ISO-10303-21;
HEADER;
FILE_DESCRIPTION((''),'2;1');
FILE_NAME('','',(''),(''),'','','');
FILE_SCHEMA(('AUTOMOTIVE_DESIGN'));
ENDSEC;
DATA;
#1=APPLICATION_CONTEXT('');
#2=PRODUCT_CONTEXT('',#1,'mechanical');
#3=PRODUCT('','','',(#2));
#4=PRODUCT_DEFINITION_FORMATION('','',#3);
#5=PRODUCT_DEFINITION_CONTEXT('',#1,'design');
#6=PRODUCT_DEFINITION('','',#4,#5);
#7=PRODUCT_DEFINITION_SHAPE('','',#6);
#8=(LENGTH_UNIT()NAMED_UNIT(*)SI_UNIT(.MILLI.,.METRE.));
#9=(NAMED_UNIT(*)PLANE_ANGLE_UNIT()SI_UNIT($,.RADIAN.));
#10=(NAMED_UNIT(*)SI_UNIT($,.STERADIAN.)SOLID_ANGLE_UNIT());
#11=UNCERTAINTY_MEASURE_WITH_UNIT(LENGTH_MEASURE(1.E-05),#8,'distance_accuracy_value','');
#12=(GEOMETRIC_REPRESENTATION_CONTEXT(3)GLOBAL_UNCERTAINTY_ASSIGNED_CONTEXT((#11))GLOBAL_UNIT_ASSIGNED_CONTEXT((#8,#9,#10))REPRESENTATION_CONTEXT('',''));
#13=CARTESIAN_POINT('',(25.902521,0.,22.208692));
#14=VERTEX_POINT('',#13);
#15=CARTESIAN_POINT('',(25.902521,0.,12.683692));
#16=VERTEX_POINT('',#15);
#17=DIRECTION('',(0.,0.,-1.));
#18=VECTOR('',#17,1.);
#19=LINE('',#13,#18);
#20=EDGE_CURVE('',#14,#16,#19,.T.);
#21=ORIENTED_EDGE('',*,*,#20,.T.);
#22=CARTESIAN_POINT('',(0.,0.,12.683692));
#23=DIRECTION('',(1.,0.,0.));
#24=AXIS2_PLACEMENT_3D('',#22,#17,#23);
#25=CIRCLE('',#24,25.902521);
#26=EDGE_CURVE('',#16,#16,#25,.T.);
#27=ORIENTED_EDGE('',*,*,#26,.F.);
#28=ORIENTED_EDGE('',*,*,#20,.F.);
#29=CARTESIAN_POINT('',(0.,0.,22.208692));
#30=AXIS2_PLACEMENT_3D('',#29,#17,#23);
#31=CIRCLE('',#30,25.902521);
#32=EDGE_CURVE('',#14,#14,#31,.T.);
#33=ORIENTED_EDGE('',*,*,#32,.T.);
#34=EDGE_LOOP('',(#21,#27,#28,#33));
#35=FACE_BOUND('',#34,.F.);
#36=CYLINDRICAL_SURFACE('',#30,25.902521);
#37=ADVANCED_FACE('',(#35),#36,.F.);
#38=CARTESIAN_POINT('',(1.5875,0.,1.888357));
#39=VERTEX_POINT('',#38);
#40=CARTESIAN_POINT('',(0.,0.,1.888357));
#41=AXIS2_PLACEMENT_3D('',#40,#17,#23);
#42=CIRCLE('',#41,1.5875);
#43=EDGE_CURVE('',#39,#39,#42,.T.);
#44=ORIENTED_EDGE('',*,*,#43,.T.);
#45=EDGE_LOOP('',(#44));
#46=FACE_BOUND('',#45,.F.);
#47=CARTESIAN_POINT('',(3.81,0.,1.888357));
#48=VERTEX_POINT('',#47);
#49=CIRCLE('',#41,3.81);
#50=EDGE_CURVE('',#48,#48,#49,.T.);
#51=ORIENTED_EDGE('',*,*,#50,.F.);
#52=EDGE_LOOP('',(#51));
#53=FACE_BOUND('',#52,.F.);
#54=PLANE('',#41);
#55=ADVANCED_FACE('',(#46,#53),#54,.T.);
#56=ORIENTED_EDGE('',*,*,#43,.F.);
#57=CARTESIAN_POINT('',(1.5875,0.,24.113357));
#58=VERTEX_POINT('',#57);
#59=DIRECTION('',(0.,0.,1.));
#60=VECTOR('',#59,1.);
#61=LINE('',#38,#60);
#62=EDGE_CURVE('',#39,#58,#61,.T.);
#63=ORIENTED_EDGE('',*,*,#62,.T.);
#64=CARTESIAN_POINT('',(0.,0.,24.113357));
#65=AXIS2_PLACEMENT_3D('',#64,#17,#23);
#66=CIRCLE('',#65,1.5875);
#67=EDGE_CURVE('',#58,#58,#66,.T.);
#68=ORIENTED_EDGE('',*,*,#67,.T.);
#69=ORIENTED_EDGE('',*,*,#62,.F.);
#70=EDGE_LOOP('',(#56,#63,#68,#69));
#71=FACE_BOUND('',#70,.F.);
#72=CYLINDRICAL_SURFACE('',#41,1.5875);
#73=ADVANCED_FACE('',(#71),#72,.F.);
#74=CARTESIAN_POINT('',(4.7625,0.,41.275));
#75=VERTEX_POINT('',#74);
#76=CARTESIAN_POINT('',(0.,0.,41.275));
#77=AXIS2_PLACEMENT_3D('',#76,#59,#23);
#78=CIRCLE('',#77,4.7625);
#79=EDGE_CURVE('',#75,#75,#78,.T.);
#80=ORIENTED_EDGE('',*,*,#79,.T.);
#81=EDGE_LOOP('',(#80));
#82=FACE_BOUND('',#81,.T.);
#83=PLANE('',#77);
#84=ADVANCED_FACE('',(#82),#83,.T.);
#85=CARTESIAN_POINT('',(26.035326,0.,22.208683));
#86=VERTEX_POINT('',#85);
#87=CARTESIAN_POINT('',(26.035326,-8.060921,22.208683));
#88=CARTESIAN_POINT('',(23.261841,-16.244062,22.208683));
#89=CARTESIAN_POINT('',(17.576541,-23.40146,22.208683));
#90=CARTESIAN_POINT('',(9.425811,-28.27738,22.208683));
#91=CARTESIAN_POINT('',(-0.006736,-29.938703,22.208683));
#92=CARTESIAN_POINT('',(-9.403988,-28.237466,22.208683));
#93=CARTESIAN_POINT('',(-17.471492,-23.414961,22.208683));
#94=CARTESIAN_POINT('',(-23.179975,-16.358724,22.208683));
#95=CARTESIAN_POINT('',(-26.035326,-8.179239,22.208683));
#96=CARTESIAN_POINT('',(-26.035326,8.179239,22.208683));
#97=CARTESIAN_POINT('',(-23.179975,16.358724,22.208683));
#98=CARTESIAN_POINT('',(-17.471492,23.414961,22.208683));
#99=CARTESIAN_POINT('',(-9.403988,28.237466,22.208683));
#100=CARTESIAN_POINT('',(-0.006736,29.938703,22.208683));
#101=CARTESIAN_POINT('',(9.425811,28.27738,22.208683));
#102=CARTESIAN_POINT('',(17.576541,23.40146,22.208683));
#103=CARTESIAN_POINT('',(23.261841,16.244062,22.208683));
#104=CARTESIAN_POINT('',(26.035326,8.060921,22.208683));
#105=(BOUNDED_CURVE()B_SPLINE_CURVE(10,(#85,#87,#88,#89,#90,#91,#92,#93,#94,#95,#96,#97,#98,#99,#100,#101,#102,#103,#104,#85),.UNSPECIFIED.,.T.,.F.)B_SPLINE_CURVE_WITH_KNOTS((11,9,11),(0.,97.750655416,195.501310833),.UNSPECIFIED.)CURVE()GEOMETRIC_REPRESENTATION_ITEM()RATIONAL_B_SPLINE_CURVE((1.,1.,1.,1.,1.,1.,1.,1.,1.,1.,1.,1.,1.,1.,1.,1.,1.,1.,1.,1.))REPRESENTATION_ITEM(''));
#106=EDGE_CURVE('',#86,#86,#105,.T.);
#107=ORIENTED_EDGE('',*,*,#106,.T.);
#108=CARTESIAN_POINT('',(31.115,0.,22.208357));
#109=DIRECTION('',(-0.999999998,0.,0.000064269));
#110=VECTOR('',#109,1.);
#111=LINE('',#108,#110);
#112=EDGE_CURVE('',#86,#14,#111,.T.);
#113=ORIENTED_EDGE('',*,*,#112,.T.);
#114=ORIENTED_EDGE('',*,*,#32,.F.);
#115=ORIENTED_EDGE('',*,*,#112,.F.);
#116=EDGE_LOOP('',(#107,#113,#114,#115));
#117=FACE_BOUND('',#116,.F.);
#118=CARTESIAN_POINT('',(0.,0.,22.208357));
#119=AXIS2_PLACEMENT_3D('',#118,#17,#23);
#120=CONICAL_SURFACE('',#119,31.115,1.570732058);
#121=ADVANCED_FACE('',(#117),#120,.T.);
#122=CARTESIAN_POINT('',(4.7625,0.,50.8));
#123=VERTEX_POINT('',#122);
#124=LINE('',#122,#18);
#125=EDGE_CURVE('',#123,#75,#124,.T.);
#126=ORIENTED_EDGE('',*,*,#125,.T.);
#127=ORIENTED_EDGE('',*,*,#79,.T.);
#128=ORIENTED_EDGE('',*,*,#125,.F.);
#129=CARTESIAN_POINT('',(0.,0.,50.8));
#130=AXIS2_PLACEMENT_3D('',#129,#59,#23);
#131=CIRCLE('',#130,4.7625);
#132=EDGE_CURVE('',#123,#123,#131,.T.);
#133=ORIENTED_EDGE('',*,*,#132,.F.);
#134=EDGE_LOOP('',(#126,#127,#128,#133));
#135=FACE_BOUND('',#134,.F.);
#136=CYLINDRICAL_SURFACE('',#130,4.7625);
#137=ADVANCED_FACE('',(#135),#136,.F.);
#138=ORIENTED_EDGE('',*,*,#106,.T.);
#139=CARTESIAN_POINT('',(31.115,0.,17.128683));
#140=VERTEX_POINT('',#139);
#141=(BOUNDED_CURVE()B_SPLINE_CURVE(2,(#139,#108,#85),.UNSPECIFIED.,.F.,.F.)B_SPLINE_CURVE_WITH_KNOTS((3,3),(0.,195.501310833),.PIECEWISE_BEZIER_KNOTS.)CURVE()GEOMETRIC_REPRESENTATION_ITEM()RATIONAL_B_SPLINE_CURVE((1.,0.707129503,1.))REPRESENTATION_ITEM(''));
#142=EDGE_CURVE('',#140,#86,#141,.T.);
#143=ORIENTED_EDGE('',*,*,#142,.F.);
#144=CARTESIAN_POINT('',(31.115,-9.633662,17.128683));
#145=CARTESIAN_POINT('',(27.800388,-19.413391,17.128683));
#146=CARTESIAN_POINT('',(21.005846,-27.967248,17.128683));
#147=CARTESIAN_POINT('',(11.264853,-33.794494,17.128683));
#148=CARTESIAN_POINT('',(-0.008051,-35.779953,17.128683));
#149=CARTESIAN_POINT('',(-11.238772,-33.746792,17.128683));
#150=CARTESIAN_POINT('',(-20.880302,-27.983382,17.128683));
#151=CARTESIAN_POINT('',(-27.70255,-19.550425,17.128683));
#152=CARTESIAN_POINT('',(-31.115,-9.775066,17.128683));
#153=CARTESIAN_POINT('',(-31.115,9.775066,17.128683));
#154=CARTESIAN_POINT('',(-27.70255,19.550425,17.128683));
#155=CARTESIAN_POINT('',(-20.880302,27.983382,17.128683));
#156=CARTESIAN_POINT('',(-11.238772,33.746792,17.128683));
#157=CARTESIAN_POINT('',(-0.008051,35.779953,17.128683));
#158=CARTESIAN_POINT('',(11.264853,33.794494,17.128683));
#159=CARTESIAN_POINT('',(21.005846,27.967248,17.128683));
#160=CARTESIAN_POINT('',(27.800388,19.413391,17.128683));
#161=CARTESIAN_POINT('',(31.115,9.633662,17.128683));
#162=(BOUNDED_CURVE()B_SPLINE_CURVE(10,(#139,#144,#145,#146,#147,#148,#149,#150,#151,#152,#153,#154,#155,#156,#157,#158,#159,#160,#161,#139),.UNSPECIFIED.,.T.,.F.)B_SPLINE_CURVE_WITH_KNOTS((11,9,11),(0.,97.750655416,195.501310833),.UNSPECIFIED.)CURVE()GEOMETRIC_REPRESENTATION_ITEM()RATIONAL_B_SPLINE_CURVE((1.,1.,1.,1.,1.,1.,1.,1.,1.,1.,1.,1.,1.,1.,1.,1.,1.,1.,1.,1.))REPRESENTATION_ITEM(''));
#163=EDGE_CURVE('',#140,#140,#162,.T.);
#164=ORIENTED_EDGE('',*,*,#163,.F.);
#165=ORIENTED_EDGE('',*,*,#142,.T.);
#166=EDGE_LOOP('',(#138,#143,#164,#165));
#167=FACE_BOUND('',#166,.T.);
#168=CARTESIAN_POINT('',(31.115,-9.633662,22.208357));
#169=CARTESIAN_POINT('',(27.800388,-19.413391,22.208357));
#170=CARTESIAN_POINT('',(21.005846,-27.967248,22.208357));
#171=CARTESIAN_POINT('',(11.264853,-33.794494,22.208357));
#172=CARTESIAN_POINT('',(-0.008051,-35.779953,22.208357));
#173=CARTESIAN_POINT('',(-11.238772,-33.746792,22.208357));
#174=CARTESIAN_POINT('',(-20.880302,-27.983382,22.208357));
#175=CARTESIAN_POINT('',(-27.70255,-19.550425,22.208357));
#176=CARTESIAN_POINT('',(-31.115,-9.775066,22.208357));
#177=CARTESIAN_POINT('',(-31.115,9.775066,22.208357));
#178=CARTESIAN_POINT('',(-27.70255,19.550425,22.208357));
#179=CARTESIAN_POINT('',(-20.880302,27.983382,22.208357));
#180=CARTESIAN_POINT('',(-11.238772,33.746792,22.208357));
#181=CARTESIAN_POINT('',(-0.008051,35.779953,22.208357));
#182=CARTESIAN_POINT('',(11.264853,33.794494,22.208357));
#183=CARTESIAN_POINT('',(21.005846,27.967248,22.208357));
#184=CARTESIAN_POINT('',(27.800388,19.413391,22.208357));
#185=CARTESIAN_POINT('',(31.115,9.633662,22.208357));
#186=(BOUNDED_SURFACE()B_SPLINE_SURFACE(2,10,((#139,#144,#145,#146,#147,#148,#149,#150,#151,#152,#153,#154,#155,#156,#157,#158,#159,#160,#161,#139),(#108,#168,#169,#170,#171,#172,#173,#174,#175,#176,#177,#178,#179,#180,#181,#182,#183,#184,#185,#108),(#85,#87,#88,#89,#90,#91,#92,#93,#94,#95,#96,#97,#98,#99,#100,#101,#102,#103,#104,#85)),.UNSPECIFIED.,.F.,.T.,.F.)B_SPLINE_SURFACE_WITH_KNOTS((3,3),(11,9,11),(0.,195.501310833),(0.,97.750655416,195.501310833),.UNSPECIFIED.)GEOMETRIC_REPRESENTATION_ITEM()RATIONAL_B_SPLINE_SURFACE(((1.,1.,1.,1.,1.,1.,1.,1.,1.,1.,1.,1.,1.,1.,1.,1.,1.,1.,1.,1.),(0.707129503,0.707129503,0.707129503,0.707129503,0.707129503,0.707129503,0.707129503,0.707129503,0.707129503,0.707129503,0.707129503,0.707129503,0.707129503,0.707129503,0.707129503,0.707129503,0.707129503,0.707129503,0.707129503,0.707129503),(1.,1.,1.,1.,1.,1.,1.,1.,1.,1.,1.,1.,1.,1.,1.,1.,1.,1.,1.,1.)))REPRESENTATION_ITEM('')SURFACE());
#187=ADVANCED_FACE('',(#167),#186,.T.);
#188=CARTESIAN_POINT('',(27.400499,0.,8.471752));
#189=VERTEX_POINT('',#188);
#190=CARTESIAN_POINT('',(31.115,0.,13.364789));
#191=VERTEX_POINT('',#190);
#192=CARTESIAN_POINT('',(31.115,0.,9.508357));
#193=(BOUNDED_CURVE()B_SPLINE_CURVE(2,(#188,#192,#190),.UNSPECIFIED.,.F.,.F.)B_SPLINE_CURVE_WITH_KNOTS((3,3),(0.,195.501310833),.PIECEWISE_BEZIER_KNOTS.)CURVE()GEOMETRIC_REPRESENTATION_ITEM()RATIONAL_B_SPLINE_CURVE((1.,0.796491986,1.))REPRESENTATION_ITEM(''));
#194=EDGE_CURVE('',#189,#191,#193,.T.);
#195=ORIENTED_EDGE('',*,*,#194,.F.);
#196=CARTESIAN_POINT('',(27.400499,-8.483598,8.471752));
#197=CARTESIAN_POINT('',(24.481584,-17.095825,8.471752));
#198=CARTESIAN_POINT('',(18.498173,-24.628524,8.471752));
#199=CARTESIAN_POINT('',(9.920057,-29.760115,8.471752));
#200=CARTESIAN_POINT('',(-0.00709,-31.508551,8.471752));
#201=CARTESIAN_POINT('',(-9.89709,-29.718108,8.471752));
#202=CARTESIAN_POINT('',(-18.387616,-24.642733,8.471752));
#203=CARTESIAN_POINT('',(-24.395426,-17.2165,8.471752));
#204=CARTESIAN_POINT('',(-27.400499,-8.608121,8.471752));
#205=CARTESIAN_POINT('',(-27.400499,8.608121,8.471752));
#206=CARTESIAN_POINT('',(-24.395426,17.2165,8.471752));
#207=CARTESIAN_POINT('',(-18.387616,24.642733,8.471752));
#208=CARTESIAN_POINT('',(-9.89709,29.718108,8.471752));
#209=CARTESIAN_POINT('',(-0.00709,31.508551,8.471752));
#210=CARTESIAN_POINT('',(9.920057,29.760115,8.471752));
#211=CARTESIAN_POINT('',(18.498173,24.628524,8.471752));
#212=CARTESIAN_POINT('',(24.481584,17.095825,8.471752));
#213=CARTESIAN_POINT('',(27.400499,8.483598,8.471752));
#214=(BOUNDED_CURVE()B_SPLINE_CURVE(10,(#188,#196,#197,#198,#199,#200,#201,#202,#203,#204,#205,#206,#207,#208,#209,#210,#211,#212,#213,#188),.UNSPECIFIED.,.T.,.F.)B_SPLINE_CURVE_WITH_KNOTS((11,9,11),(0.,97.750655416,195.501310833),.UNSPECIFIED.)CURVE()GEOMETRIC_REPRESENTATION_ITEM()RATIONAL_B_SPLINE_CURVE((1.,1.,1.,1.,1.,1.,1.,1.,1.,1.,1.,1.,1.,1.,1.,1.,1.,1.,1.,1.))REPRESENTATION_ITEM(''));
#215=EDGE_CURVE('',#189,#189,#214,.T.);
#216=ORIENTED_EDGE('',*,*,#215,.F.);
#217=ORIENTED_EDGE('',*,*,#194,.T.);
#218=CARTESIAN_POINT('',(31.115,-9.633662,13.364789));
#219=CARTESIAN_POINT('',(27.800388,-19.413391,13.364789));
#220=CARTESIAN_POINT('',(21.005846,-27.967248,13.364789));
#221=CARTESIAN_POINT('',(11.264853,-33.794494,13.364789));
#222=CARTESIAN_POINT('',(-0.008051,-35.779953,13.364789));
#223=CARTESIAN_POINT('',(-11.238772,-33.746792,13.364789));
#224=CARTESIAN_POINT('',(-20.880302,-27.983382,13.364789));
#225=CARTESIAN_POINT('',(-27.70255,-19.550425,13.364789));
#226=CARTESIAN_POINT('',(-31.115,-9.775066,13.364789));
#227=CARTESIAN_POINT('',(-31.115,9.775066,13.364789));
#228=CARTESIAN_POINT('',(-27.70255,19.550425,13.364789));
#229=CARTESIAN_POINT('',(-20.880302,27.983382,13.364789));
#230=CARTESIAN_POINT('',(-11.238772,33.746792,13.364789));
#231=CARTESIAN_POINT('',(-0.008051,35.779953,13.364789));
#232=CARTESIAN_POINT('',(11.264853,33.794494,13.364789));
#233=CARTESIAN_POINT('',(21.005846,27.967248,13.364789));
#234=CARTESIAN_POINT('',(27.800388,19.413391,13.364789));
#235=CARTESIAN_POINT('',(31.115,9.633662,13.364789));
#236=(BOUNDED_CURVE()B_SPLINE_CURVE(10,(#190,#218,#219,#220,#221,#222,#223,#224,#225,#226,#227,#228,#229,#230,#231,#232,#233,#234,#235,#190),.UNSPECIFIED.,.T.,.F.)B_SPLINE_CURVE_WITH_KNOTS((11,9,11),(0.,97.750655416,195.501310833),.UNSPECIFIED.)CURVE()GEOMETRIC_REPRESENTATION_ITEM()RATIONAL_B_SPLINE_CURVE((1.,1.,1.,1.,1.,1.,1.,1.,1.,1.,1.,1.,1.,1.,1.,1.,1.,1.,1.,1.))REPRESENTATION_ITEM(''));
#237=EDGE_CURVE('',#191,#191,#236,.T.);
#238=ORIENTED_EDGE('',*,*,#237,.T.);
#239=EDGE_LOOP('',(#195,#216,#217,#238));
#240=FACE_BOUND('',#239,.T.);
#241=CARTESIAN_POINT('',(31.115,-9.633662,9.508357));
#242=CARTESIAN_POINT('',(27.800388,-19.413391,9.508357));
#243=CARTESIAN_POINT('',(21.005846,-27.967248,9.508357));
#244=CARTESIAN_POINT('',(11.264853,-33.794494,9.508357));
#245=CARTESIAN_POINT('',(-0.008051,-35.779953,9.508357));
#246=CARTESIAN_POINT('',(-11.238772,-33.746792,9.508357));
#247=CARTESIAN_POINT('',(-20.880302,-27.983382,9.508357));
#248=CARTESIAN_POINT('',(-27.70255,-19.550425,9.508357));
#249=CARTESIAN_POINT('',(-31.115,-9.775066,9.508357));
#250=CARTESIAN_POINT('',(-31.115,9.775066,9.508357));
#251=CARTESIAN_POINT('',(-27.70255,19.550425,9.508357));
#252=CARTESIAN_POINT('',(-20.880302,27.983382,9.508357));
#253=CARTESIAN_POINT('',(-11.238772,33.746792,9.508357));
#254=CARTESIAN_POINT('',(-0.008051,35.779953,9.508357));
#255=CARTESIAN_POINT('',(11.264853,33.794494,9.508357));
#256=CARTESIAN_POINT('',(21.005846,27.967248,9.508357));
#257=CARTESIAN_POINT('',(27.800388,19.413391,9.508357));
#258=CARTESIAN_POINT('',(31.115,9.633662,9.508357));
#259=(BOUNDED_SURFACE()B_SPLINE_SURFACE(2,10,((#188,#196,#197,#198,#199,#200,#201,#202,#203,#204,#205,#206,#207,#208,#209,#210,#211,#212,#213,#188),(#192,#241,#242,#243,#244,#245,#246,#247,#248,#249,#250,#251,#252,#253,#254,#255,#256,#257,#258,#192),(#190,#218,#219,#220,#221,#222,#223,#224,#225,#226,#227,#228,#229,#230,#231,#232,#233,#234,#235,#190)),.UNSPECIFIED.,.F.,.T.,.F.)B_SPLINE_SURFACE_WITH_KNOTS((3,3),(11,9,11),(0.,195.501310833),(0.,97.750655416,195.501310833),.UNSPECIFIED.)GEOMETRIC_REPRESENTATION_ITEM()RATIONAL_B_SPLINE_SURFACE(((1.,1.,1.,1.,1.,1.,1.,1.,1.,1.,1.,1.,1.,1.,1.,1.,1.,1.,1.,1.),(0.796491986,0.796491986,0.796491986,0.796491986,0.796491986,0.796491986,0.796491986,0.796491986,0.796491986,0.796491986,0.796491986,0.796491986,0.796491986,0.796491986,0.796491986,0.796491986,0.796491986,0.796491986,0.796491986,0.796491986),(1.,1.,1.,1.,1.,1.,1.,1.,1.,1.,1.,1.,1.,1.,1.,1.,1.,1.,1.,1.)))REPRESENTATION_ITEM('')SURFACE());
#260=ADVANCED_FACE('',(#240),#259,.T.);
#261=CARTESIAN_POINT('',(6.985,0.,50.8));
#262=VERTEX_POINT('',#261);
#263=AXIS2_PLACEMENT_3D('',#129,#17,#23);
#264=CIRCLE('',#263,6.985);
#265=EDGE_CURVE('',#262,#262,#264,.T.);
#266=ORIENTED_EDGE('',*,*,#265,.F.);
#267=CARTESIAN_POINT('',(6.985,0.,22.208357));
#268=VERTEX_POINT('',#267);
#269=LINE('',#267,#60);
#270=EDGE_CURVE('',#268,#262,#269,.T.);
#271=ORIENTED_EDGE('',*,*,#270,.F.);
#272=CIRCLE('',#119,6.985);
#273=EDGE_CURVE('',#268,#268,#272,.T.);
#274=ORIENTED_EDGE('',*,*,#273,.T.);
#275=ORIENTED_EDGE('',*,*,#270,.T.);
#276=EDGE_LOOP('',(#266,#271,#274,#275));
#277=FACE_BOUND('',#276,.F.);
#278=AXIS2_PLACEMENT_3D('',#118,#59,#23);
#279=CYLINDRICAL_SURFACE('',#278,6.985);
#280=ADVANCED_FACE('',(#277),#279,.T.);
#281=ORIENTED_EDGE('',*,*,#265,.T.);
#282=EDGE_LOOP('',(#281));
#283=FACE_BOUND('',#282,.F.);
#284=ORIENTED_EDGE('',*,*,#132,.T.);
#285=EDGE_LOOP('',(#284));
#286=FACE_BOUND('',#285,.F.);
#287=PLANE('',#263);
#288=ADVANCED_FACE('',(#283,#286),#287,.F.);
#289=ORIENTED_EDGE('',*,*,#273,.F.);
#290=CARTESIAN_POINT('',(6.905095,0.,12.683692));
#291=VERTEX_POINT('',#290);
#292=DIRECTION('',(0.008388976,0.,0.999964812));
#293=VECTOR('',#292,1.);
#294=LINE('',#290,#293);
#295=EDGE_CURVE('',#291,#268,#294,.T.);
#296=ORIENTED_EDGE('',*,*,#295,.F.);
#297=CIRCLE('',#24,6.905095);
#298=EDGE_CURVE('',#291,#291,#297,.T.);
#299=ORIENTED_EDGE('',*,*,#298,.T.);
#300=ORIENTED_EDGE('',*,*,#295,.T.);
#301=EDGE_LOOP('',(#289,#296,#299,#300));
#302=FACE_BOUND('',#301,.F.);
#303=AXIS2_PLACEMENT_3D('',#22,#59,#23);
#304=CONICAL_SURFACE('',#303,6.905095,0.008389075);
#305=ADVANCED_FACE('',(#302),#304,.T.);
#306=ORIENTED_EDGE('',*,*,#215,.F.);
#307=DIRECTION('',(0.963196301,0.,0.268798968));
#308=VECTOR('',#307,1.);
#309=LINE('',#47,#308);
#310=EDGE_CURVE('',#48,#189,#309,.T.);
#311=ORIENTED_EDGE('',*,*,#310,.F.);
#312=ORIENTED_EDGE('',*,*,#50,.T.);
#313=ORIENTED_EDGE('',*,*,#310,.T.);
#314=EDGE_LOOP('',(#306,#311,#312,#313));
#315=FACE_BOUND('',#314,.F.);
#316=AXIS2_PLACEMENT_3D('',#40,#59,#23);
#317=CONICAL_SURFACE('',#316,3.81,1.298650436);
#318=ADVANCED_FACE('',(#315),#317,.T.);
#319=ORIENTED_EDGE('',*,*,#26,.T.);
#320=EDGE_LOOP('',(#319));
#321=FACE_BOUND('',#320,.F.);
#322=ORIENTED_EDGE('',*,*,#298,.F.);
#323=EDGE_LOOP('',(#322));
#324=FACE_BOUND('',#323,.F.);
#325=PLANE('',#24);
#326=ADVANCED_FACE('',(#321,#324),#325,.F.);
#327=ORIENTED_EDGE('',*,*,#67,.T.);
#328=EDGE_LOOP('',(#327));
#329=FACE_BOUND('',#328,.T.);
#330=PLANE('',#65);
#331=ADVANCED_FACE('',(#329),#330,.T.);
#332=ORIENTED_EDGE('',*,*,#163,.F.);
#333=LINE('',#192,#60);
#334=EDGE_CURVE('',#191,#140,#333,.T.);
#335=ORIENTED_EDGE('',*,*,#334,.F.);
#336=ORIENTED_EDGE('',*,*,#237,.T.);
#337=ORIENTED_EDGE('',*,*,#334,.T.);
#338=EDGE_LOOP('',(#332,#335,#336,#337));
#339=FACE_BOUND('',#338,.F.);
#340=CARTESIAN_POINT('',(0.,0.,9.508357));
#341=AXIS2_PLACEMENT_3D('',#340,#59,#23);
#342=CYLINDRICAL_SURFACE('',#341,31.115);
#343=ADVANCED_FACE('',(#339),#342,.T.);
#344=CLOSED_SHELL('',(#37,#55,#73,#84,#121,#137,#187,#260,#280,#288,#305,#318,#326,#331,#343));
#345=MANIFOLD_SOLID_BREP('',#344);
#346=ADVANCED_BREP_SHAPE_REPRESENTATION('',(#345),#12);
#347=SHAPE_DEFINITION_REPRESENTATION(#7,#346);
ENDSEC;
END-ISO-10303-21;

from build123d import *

# Parameters (mm, degrees)
F2_R     = 4.7625
F3_DEPTH = 9.525
F4_R     = 1.5875
F5_DEPTH = 22.225
F6_R     = 5.08


with BuildPart() as f1:
    # F0 (on Front) → F1 (revolve)
    with BuildSketch(Plane.XZ):
        Polygon((3.81, 1.888357), (31.115, 9.508357), (31.115, 22.208357), (25.902521, 22.208692), (25.902521, 12.683692), (6.905095, 12.683692), (6.985, 22.208357), (6.985, 50.8), (0, 50.8), (0, 1.888357), align=None)
    revolve(axis=Axis((0, 0, 26.344178), (0, 0, -1)))

    # F2 (on face) → F3 (cut)
    with BuildSketch(Plane.XY.offset(50.8)):
        Circle(F2_R)
    extrude(amount=-F3_DEPTH, mode=Mode.SUBTRACT)

    # F4 (on face) → F5 (cut)
    with BuildSketch(Plane(origin=(0, 0, 1.888357), x_dir=(1, 0, 0), z_dir=(0, 0, -1))):
        Circle(F4_R)
    extrude(amount=-F5_DEPTH, mode=Mode.SUBTRACT)

    # F6
    f6_edges = [f1.edges().sort_by_distance(p)[0] for p in [
        (-31.115, 0, 9.508357),
        (-31.115, 0, 22.208357),
        (31.115, 0, 15.858357),
    ]]
    fillet(f6_edges, radius=F6_R)


solid = f1.part
